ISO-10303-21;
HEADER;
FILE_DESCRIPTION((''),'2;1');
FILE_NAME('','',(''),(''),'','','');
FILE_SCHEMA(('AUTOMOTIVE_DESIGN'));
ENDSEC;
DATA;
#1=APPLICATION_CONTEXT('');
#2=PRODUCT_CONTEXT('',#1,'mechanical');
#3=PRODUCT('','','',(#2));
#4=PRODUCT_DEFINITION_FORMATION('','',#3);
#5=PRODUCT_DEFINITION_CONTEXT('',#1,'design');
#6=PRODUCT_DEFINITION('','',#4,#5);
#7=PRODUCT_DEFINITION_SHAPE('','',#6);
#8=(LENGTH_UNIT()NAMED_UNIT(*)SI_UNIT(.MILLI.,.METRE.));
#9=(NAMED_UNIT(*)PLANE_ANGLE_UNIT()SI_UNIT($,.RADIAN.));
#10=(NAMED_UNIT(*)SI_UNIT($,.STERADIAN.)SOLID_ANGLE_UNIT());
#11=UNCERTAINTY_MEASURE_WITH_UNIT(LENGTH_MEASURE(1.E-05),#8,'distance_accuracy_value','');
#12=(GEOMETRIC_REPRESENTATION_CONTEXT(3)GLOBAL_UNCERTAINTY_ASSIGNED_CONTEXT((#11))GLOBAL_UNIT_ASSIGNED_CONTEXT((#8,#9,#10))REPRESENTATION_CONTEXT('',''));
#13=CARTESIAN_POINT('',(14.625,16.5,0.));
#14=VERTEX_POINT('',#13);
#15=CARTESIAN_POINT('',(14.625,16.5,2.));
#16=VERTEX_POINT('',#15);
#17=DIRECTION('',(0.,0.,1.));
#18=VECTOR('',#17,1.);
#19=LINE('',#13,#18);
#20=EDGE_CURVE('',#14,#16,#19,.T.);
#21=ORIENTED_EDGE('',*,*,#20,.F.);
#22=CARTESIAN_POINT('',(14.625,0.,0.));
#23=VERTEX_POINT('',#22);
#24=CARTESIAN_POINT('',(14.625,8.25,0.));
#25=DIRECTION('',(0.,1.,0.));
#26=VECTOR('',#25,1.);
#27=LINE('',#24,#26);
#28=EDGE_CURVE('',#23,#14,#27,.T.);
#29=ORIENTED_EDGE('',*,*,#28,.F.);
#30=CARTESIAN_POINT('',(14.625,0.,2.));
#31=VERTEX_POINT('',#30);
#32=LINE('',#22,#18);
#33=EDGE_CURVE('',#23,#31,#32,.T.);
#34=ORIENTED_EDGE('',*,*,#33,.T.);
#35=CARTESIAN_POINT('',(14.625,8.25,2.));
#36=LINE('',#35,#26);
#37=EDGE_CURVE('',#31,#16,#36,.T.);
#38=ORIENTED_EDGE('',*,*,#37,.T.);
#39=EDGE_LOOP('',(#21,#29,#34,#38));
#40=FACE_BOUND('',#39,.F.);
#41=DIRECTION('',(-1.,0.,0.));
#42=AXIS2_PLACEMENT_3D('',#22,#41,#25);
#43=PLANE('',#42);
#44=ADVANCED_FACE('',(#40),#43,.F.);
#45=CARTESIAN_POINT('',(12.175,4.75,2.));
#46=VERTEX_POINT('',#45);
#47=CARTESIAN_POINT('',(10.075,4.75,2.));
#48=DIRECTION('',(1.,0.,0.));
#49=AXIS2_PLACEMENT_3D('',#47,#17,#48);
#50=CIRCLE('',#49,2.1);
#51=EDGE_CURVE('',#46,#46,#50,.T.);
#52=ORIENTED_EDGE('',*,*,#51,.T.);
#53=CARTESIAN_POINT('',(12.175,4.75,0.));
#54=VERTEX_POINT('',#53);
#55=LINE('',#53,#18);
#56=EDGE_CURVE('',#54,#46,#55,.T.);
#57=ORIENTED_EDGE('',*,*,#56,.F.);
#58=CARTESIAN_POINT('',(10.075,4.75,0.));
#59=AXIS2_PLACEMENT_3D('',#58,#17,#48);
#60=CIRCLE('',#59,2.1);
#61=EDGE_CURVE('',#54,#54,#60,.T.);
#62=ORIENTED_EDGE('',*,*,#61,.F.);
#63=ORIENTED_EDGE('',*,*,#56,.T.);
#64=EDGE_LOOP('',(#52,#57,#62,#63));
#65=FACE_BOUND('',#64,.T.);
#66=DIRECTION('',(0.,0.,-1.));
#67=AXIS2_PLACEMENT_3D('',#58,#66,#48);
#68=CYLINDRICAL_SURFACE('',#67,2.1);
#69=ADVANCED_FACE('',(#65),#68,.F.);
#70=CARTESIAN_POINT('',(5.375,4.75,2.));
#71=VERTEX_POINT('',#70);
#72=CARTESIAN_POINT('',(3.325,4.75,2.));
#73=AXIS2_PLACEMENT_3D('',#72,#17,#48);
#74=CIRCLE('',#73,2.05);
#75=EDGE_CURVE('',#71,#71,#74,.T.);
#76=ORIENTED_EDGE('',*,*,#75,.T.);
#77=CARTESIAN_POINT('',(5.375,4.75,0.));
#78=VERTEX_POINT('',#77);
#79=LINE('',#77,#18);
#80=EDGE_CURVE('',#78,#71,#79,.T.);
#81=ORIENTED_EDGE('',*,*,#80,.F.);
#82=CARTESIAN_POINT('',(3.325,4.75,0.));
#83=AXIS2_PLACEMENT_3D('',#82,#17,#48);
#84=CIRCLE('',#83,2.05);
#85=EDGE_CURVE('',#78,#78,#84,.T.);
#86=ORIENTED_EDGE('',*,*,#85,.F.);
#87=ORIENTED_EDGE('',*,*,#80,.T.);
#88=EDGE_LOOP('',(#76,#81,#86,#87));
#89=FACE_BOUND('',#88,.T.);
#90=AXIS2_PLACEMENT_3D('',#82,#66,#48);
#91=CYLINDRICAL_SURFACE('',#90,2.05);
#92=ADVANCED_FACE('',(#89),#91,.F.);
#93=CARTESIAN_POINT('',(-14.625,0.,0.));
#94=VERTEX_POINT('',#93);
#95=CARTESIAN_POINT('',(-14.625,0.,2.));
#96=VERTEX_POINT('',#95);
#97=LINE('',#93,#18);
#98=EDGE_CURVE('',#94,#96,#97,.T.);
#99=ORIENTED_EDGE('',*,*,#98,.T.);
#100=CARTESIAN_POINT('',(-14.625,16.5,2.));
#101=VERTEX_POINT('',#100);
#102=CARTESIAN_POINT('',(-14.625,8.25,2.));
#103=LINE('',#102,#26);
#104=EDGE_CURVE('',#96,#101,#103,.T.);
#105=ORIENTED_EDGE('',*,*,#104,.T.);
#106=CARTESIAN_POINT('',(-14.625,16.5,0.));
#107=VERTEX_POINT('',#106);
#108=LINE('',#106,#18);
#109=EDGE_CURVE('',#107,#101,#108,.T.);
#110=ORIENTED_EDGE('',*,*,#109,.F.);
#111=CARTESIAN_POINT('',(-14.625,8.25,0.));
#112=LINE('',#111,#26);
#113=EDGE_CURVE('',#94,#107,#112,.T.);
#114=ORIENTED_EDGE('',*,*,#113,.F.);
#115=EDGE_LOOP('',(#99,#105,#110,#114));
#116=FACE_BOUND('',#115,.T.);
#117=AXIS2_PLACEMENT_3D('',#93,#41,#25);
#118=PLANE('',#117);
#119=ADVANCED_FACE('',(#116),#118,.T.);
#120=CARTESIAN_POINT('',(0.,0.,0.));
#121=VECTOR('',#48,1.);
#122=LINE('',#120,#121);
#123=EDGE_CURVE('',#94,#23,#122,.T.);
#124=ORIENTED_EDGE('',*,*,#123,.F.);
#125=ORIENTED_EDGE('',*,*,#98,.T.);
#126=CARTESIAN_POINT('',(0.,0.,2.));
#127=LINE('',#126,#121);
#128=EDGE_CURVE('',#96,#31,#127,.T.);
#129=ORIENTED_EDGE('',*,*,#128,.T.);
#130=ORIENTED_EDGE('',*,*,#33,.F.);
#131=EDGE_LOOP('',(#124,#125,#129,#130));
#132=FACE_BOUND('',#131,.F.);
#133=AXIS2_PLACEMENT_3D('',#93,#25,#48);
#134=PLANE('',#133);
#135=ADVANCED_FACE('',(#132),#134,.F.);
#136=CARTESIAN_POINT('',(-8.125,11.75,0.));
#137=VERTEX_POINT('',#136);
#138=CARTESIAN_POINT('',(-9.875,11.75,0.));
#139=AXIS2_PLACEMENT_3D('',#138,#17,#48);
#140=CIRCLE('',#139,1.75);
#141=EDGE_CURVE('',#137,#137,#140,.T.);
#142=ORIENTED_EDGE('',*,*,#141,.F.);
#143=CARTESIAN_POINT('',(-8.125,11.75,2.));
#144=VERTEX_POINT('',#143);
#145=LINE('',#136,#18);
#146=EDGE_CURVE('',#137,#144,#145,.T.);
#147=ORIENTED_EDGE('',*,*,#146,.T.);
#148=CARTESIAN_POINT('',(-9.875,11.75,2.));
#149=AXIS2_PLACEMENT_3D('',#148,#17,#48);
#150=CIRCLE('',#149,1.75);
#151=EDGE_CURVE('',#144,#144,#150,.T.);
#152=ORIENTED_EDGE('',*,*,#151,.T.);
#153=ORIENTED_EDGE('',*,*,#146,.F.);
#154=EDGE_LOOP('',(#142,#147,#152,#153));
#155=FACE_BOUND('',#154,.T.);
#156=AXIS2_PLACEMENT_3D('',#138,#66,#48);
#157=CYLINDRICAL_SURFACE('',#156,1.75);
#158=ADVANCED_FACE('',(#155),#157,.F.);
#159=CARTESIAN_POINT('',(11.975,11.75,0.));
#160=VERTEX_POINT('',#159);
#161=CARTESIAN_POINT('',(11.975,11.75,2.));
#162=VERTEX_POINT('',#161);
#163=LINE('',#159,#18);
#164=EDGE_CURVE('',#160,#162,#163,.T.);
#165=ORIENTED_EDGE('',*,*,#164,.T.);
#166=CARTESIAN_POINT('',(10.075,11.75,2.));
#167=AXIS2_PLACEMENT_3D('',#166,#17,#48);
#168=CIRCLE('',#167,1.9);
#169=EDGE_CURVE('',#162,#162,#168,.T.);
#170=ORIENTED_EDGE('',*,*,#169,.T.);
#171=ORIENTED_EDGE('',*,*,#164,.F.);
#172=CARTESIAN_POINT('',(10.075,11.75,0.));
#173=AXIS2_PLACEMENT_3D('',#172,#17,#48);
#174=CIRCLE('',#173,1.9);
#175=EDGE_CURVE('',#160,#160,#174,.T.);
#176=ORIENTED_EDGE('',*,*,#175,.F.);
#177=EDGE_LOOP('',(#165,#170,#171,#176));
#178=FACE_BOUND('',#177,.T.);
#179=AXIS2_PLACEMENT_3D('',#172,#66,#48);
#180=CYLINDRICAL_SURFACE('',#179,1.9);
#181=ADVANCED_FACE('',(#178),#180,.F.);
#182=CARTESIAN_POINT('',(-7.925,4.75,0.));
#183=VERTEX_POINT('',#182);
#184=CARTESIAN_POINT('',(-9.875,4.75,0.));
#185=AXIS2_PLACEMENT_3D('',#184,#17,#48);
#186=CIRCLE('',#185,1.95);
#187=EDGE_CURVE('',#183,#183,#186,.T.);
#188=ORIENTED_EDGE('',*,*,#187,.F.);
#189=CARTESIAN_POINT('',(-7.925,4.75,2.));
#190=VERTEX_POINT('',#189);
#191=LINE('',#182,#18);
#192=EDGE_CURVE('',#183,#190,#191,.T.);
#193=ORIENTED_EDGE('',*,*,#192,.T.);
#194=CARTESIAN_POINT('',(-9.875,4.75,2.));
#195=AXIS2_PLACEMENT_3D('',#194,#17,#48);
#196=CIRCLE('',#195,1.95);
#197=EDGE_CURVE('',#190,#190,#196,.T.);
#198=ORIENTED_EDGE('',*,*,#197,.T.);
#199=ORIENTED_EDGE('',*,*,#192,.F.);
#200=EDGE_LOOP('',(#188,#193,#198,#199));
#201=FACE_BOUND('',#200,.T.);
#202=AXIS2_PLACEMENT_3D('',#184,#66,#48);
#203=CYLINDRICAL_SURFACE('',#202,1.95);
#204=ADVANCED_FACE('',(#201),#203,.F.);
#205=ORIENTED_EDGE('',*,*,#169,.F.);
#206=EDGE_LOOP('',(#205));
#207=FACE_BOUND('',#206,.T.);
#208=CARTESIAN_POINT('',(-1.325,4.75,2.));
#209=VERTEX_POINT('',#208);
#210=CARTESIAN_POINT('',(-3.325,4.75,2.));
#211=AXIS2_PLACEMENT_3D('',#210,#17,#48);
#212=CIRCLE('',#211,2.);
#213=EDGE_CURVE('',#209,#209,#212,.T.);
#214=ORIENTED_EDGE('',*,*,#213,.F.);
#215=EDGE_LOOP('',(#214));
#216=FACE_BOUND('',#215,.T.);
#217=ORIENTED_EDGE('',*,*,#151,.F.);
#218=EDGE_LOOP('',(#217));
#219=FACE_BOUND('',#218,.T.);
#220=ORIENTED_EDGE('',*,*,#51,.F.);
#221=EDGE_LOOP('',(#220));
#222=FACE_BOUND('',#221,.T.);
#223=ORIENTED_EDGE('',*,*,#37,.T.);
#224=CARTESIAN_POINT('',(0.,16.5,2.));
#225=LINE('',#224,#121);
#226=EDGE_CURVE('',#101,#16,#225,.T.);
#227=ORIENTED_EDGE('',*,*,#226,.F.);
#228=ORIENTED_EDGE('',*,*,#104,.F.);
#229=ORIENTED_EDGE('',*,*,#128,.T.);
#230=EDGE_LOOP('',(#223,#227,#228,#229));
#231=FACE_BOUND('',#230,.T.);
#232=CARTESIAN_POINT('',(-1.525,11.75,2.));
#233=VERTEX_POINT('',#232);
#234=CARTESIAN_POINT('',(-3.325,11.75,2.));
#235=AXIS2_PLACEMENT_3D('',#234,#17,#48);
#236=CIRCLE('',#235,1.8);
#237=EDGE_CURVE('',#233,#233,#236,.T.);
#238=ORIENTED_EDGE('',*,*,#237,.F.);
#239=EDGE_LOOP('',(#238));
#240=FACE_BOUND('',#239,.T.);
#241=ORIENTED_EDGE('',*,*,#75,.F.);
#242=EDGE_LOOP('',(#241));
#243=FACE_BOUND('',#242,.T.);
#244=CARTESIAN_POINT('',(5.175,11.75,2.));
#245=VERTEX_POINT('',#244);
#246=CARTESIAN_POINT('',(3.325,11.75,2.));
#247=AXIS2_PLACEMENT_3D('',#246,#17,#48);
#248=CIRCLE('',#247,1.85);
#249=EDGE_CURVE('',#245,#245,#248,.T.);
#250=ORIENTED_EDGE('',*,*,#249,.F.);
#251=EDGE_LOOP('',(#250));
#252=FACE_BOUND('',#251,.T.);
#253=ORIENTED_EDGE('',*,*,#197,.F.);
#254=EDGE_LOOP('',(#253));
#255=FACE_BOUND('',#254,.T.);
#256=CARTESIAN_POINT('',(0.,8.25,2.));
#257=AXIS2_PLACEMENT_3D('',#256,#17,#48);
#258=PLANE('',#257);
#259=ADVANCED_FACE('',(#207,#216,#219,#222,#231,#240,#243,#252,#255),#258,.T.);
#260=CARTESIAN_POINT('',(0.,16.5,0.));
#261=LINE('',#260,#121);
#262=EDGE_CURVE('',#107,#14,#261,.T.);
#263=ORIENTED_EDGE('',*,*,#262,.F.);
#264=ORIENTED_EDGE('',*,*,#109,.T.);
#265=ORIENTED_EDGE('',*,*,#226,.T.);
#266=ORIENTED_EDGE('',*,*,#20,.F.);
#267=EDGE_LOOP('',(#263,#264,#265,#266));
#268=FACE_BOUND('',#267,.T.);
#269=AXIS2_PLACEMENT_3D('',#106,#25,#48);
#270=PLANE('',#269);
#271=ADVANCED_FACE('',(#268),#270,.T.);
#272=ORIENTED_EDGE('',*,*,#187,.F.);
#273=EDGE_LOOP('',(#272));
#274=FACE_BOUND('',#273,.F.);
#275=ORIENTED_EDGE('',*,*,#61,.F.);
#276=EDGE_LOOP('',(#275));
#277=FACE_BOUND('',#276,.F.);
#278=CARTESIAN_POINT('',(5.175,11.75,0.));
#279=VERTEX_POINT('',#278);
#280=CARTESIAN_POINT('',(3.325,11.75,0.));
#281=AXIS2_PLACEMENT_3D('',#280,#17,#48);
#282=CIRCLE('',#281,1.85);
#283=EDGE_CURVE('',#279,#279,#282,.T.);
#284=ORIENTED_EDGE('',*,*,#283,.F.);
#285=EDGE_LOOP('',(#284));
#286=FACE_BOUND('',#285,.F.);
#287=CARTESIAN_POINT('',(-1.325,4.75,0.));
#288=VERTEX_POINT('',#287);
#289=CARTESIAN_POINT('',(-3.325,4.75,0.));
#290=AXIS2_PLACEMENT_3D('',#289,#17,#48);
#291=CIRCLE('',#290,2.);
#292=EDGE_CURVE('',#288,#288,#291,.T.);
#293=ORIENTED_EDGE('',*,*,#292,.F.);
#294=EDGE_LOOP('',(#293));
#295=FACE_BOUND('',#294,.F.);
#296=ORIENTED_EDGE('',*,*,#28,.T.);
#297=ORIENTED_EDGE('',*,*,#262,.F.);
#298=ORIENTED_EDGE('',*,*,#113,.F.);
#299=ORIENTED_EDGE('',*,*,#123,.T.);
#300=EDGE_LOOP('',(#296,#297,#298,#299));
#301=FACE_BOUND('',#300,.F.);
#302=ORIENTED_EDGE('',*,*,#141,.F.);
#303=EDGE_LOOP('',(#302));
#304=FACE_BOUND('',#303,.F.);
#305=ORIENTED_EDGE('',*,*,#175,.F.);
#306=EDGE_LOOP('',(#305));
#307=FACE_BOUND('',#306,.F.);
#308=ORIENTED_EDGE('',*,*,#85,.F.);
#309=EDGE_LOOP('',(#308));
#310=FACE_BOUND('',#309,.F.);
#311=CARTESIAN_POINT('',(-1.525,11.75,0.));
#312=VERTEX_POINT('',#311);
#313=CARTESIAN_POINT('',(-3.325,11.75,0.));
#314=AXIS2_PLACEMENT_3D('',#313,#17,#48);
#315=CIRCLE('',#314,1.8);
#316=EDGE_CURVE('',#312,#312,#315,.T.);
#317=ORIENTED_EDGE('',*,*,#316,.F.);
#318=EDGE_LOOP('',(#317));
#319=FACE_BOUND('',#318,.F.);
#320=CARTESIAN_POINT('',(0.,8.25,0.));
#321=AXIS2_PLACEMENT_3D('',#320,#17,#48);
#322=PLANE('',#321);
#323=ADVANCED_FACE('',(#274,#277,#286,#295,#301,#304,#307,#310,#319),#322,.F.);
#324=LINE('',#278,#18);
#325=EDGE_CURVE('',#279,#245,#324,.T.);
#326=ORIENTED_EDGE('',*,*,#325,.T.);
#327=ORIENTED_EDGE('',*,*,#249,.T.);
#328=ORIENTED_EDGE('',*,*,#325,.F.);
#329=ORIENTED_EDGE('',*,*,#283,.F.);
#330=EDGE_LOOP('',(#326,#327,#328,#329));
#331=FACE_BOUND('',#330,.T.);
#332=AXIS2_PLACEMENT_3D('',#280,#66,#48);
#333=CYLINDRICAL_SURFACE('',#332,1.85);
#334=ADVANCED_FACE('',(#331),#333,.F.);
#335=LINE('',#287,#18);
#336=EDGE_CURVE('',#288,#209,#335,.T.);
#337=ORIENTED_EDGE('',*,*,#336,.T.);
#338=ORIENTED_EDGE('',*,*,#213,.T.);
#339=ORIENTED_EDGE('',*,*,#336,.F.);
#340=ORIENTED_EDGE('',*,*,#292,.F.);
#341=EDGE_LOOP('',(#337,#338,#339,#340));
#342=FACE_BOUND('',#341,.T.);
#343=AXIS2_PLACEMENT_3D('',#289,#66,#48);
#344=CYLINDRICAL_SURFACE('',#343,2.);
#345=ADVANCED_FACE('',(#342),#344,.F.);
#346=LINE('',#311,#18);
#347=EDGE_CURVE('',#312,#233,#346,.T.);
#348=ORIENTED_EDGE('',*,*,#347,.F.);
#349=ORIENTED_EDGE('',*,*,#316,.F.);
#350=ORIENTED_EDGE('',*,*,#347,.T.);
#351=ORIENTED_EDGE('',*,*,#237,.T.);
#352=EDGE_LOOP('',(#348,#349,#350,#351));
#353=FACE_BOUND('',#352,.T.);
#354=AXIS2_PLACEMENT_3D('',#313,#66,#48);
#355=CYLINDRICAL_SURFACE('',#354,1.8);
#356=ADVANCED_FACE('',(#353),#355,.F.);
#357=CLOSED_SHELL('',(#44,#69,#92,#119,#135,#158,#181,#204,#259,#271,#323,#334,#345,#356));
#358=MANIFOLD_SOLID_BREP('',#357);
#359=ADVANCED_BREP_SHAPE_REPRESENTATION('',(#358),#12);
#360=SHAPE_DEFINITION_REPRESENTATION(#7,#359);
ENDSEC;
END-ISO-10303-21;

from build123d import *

# Parameters (mm, degrees)
F0_W     = 29.25
F0_H     = 16.5
F0_R     = 1.95
F0_R_2   = 2
F0_R_3   = 2.05
F0_R_4   = 2.1
F0_R_5   = 1.75
F0_R_6   = 1.8
F0_R_7   = 1.85
F0_R_8   = 1.9
F1_DEPTH = 2


with BuildPart() as f1:
    # F0 (on Top) → F1 (new body)
    with BuildSketch(Plane.XY):
        with Locations((0, 8.25)):
            Rectangle(F0_W, F0_H)
        with Locations((-9.875, 4.75)):
            Circle(F0_R, mode=Mode.SUBTRACT)
        with Locations((-3.325, 4.75)):
            Circle(F0_R_2, mode=Mode.SUBTRACT)
        with Locations((3.325, 4.75)):
            Circle(F0_R_3, mode=Mode.SUBTRACT)
        with Locations((10.075, 4.75)):
            Circle(F0_R_4, mode=Mode.SUBTRACT)
        with Locations((-9.875, 11.75)):
            Circle(F0_R_5, mode=Mode.SUBTRACT)
        with Locations((-3.325, 11.75)):
            Circle(F0_R_6, mode=Mode.SUBTRACT)
        with Locations((3.325, 11.75)):
            Circle(F0_R_7, mode=Mode.SUBTRACT)
        with Locations((10.075, 11.75)):
            Circle(F0_R_8, mode=Mode.SUBTRACT)
    extrude(amount=F1_DEPTH)


solid = f1.part
